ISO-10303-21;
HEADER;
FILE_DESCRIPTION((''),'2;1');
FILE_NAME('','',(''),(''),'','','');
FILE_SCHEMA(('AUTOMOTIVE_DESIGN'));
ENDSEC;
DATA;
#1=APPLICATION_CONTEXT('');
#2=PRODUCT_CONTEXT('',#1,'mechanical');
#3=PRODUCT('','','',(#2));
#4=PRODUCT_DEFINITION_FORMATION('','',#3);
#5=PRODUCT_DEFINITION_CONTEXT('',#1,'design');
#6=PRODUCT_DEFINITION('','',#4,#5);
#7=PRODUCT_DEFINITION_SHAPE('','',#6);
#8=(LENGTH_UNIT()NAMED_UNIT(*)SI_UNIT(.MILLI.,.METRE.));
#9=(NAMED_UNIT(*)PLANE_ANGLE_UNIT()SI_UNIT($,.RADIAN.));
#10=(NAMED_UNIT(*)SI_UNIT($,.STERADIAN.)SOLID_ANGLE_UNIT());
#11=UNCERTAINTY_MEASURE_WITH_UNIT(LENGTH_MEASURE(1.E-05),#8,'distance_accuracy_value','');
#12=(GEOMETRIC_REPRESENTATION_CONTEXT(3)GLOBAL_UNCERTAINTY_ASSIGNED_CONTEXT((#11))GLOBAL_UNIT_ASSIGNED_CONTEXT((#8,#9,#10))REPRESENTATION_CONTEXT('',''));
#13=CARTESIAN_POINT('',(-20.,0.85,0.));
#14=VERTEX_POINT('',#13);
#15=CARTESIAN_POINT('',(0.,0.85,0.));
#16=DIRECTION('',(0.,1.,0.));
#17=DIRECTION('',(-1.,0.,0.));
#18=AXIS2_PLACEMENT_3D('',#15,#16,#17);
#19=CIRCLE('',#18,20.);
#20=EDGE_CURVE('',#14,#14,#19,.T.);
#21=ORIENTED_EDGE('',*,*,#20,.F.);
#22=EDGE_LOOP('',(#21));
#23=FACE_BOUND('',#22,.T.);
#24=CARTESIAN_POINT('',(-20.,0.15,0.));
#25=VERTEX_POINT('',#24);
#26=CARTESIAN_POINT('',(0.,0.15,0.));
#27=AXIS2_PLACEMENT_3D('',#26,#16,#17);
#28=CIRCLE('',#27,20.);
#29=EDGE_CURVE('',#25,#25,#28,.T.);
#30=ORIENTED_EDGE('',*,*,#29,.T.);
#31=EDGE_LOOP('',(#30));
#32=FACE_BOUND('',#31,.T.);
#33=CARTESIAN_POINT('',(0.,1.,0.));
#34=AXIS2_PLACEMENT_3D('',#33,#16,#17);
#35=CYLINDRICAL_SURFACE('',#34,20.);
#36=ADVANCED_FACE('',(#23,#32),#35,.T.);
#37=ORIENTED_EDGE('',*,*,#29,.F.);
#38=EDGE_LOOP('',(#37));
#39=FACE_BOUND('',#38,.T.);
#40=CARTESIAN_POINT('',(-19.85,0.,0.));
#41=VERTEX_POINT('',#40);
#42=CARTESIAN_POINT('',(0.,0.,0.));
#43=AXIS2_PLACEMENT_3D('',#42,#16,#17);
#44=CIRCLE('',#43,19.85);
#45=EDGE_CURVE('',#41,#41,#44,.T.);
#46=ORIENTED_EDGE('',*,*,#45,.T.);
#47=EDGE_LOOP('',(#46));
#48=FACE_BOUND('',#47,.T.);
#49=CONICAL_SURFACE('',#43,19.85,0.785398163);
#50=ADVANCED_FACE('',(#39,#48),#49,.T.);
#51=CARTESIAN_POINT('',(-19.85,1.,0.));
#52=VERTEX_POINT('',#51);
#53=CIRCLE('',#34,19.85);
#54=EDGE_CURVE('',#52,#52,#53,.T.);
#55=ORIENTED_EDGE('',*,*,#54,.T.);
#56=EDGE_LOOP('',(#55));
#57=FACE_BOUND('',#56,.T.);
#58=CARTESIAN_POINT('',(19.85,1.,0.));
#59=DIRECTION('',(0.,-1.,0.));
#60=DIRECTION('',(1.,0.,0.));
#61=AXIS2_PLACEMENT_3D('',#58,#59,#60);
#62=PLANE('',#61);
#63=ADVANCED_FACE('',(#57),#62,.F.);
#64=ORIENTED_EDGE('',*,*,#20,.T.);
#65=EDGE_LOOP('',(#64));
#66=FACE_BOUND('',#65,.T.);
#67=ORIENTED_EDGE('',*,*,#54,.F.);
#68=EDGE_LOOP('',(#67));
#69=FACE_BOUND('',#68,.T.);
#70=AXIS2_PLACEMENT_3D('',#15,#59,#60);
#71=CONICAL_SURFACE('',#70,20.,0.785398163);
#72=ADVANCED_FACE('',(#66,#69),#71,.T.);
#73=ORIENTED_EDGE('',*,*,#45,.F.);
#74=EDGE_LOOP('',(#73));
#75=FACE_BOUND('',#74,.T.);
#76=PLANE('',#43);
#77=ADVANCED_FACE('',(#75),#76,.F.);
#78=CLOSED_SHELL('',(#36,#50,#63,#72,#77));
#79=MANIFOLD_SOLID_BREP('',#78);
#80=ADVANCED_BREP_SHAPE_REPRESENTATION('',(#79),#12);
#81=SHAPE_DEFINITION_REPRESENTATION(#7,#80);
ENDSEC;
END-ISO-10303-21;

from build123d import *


with BuildPart() as part:
    # Esquisse1 → Révolution1 (revolve)
    with BuildSketch(Plane.XY, mode=Mode.PRIVATE) as r_volution1_sk:
        Polygon((0, 0), (19.85, 0), (20, 0.15), (20, 0.85), (19.85, 1), (0, 1), align=None)
    revolve(r_volution1_sk.sketch.rotate(Axis((0, 1, 0), (0, -1, 0)), 180), axis=Axis((0, 1, 0), (0, -1, 0)))


solid = part.part
